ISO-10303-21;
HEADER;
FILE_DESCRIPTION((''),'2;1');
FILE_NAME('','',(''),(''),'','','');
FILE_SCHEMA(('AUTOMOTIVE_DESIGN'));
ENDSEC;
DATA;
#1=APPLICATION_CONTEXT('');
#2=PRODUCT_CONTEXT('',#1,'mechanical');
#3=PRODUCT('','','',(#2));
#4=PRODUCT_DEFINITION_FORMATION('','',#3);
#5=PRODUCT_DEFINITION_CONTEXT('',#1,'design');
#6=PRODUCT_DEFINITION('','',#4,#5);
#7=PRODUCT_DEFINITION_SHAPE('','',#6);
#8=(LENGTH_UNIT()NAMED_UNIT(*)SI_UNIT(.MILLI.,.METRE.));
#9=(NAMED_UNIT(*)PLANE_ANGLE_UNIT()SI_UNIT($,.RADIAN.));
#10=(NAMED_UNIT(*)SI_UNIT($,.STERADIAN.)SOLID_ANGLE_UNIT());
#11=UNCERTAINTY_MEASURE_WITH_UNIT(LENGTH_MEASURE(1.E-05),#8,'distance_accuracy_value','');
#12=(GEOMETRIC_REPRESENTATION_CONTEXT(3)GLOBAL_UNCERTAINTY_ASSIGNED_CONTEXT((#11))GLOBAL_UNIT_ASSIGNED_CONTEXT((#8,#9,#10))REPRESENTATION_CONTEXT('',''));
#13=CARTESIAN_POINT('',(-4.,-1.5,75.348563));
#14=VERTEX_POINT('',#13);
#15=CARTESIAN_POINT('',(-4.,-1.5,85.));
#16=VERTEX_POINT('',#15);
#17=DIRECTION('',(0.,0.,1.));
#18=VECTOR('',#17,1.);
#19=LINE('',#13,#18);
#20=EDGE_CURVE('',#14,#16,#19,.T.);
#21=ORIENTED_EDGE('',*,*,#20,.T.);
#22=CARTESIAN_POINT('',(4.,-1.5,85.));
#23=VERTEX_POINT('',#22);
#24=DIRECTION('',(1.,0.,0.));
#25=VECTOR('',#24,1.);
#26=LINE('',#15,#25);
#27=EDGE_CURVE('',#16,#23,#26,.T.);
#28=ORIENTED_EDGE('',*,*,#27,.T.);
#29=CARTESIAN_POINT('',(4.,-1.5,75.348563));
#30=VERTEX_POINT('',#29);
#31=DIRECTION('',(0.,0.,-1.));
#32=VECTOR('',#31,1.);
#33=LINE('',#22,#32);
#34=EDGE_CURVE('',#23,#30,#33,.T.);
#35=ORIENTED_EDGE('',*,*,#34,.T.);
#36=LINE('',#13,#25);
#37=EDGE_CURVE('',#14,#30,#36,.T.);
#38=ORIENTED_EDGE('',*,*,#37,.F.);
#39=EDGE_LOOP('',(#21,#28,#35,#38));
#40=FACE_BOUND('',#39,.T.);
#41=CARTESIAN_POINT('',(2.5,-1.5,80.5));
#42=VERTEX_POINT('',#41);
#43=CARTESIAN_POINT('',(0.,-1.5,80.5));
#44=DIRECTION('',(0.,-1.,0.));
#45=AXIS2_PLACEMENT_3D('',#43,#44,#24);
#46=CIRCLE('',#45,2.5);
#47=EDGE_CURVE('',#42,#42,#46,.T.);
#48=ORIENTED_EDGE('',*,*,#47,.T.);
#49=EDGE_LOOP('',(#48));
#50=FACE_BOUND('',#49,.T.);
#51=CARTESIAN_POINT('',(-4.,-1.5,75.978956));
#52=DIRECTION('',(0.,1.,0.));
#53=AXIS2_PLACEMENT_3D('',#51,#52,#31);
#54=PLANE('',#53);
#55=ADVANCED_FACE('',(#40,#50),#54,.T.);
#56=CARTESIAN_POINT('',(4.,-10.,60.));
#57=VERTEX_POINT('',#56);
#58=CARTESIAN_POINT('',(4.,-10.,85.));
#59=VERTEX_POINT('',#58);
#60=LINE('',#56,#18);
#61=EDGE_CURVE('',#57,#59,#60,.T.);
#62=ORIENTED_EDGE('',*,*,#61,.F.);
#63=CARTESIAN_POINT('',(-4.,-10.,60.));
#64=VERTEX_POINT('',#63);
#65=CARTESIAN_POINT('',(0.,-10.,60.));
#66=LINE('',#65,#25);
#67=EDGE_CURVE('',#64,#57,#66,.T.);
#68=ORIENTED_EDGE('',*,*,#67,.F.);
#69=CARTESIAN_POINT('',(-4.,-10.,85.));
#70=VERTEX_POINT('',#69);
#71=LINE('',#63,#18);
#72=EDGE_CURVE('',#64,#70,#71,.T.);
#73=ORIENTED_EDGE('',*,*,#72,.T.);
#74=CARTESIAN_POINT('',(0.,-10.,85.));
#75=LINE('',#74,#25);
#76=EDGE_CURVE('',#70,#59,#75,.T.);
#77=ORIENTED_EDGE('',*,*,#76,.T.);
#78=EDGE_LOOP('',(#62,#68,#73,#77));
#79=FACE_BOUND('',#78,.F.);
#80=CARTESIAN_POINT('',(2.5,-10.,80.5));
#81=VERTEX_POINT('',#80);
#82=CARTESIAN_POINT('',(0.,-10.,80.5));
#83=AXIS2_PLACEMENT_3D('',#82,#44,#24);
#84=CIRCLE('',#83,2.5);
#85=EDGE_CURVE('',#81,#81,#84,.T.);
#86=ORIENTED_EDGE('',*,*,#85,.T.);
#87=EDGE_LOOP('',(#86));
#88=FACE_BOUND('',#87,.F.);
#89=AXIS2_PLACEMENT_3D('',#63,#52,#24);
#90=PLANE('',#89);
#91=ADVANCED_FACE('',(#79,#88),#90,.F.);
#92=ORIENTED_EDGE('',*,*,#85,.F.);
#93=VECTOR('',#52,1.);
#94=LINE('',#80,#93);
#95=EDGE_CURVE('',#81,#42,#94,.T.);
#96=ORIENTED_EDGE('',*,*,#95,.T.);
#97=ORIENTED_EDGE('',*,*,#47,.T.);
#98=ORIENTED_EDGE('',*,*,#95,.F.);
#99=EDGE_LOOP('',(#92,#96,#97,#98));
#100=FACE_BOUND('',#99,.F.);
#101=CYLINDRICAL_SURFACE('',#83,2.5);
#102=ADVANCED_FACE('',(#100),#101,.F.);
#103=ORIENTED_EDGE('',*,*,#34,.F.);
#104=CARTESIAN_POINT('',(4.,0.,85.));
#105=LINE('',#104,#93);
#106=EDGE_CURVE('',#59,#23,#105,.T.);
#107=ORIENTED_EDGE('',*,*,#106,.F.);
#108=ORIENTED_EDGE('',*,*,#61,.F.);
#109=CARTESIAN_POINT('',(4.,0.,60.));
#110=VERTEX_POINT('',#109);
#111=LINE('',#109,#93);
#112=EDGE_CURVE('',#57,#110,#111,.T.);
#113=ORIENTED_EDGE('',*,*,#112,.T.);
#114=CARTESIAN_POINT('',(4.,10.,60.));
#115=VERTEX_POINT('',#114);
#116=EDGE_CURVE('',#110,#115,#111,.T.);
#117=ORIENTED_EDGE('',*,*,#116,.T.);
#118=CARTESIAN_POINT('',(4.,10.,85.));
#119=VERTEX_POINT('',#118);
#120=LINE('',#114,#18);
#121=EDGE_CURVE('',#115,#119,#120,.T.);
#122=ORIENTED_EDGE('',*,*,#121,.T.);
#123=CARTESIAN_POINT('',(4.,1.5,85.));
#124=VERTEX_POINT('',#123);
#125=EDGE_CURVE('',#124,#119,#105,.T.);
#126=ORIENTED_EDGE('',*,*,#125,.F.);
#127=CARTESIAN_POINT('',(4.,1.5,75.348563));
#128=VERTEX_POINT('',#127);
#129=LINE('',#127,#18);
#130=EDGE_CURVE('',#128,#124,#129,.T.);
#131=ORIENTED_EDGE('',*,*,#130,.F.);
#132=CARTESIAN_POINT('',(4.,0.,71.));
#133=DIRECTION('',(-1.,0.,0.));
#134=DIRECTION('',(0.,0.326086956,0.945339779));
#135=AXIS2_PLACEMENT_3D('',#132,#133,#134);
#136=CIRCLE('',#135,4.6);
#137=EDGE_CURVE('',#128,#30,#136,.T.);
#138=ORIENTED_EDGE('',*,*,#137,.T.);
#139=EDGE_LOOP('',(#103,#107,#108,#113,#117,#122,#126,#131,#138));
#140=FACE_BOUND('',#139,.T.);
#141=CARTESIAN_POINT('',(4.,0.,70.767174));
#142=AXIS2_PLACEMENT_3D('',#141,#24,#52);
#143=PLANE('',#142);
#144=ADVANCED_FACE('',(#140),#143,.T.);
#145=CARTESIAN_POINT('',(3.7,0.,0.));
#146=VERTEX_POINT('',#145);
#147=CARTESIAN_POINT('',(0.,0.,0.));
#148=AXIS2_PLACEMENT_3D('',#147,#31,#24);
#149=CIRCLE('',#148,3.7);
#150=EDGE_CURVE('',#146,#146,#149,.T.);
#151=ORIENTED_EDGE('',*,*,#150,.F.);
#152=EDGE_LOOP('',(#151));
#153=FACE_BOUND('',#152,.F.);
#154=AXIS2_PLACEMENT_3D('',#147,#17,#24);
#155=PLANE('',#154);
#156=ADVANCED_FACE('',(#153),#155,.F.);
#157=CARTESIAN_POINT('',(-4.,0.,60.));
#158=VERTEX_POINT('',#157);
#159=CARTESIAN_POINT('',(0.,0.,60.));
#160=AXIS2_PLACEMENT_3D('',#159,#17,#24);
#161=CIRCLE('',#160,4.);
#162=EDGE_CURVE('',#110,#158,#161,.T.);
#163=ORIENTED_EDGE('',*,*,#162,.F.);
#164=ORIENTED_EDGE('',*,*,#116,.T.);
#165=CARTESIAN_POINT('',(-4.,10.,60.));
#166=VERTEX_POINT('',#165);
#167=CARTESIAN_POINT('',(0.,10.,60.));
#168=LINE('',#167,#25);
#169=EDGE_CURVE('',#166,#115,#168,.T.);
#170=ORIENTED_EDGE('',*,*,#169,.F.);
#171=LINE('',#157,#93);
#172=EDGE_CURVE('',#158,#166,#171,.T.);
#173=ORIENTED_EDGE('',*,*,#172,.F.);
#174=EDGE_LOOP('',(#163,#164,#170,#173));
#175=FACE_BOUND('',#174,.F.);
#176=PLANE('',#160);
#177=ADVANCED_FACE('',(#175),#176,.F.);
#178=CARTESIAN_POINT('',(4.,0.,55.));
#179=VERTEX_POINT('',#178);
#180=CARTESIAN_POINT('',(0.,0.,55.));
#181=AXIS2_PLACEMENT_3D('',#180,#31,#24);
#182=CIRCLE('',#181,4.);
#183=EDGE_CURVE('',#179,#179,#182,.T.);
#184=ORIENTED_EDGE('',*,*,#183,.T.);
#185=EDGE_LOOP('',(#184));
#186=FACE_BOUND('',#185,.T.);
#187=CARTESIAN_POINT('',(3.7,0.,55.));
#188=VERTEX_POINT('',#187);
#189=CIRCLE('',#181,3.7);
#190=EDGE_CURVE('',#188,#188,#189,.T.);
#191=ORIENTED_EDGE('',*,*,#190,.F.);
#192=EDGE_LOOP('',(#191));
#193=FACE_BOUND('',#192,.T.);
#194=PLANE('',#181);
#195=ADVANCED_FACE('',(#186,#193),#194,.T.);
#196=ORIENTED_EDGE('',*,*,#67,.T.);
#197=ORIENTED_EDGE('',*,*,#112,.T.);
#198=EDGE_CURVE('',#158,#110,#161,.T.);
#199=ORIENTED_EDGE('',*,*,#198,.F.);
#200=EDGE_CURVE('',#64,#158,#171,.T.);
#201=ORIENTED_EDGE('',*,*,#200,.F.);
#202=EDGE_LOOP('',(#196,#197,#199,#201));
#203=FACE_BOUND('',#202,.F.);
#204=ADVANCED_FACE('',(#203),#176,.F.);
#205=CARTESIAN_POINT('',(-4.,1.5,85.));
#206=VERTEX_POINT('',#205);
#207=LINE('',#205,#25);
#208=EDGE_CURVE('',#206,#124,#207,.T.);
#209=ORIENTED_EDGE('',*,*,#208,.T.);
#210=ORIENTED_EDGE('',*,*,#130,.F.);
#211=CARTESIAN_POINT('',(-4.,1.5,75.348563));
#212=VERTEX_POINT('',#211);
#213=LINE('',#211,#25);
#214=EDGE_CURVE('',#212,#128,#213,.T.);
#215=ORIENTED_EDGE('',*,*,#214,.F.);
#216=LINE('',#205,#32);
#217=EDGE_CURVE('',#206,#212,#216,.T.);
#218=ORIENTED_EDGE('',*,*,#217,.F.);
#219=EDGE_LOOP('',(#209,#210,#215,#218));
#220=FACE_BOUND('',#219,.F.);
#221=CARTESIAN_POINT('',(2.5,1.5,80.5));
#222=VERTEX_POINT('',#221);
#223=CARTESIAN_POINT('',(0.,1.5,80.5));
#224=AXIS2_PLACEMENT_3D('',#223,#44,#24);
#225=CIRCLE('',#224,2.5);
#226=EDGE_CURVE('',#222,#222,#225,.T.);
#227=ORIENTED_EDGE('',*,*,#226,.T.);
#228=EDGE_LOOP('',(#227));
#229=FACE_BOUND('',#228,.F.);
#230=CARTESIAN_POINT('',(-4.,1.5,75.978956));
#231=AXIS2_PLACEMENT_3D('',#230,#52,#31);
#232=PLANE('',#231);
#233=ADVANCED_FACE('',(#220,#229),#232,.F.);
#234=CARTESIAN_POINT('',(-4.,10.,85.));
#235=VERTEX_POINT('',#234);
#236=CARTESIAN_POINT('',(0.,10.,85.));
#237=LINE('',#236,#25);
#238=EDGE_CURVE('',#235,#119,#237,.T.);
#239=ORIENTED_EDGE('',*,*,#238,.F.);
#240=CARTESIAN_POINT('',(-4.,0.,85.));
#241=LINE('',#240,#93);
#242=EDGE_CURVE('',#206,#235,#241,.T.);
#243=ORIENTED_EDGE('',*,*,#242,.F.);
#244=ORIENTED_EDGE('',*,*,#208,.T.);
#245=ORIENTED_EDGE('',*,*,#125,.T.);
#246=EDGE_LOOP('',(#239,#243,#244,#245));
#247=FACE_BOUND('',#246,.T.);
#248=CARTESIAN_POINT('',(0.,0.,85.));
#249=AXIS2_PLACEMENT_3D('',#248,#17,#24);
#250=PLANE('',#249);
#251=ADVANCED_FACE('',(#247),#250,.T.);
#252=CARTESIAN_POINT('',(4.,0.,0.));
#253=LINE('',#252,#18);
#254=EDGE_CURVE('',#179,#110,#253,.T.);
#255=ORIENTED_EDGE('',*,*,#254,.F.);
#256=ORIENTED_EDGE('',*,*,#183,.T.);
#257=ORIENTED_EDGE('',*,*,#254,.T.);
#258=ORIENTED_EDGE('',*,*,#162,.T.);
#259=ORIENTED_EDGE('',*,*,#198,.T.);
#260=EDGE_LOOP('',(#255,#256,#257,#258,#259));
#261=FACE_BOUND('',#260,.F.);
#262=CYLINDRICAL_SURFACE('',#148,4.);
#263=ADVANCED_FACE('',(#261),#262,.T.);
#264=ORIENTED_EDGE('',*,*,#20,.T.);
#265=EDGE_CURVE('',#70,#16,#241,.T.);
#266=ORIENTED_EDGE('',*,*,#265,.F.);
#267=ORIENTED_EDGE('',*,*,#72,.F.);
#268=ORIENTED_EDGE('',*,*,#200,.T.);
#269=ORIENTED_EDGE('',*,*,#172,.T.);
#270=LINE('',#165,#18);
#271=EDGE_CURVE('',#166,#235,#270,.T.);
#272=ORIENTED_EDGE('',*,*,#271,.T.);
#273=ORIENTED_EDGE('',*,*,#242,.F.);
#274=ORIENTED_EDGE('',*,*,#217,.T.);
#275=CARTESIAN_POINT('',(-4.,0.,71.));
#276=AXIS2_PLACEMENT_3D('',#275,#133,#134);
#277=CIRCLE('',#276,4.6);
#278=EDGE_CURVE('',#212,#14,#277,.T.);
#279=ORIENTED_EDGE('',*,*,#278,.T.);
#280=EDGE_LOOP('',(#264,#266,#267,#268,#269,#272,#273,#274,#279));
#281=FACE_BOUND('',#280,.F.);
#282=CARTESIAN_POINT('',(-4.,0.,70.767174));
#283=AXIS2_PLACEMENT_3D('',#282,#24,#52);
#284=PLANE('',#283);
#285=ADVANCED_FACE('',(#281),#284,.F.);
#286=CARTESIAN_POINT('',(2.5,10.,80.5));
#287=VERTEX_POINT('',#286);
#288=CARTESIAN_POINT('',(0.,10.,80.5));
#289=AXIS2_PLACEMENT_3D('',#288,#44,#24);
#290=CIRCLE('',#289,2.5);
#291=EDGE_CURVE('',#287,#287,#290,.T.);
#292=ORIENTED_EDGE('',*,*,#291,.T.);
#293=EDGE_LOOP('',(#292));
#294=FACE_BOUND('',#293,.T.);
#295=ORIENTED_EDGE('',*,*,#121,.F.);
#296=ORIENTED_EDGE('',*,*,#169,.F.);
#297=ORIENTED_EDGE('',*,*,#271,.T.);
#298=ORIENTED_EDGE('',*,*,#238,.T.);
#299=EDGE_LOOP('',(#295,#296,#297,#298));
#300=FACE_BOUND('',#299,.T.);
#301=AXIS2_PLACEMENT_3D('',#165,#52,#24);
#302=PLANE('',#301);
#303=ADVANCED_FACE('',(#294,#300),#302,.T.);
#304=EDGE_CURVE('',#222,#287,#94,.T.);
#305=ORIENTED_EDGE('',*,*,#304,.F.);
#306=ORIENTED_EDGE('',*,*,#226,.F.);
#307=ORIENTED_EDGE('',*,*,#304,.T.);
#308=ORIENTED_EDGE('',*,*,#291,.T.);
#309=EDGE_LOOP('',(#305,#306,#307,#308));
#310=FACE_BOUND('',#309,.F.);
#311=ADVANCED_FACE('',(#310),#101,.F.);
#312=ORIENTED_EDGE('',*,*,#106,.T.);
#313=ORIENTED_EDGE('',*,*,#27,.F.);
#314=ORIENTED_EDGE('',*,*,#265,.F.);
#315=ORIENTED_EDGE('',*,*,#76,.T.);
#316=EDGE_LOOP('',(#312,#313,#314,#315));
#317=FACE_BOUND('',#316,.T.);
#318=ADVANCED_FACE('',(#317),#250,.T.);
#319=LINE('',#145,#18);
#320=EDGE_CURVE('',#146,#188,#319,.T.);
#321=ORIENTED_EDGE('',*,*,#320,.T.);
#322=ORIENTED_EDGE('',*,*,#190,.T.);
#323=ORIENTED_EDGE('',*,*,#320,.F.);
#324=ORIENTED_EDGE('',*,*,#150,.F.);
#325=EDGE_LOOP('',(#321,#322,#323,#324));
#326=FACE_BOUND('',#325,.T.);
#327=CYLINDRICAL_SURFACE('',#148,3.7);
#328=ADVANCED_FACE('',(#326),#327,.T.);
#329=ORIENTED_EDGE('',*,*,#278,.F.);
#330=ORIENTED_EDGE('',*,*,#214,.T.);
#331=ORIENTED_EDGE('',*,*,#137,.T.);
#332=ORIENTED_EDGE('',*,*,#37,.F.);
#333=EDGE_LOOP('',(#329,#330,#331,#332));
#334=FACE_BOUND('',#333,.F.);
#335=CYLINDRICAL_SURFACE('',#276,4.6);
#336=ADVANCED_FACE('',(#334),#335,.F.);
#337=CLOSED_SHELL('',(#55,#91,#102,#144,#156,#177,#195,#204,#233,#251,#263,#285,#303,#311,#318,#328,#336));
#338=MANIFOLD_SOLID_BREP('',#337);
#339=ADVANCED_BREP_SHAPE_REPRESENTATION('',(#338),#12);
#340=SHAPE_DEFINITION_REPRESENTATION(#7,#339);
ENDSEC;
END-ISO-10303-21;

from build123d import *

# Parameters (mm, degrees)
SKETCH_R        = 4
PAD_DEPTH       = 60
SKETCH001_W     = 8
SKETCH001_H     = 20
PAD001_DEPTH    = 25
POCKET_DEPTH    = 8
SKETCH003_R     = 2.5
POCKET001_DEPTH = 30
SKETCH004_R     = 4
SKETCH004_R_2   = 3.7
POCKET002_DEPTH = 55
PAD002_DEPTH    = 8


with BuildPart() as part:
    # Sketch → Pad (new body)
    with BuildSketch(Plane.XY):
        Circle(SKETCH_R)
    extrude(amount=PAD_DEPTH)

    # Sketch001 → Pad001 (new body)
    with BuildSketch(Plane.XY.offset(60)):
        Rectangle(SKETCH001_W, SKETCH001_H)
    extrude(amount=PAD001_DEPTH)

    # Sketch002 → Pocket (cut)
    with BuildSketch(Plane(origin=(-4, 0, 0), x_dir=(0, -1, 0), z_dir=(-1, 0, 0))):
        with BuildLine():
            ThreePointArc((-1.5, 75.769696), (0, 66), (1.5, 75.769696))
            Line((1.5, 85), (1.5, 75.769696))
            Line((1.5, 85), (-1.5, 85))
            Line((-1.5, 85), (-1.5, 75.769696))
        make_face()
    extrude(amount=-POCKET_DEPTH, mode=Mode.SUBTRACT)

    # Sketch003 → Pocket001 (cut)
    with BuildSketch(Plane.XZ.offset(10)):
        with Locations((0, 80.5)):
            Circle(SKETCH003_R)
    extrude(amount=-POCKET001_DEPTH, mode=Mode.SUBTRACT)

    # Sketch004 → Pocket002 (cut)
    with BuildSketch(Plane(origin=(0, 0, 0), x_dir=(1, 0, 0), z_dir=(0, 0, -1))):
        Circle(SKETCH004_R)
        Circle(SKETCH004_R_2, mode=Mode.SUBTRACT)
    extrude(amount=-POCKET002_DEPTH, mode=Mode.SUBTRACT)

    # Sketch005 → Pad002 (new body)
    with BuildSketch(Plane(origin=(-4, 0, 0), x_dir=(0, -1, 0), z_dir=(-1, 0, 0))):
        with BuildLine():
            ThreePointArc((-1.5, 75.348563), (0, 66.4), (1.5, 75.348563))
            Line((1.5, 75.978956), (1.5, 75.348563))
            ThreePointArc((-1.5, 75.978956), (0, 65.8), (1.5, 75.978956))
            Line((-1.5, 75.978956), (-1.5, 75.348563))
        make_face()
    extrude(amount=-PAD002_DEPTH)


solid = part.part
